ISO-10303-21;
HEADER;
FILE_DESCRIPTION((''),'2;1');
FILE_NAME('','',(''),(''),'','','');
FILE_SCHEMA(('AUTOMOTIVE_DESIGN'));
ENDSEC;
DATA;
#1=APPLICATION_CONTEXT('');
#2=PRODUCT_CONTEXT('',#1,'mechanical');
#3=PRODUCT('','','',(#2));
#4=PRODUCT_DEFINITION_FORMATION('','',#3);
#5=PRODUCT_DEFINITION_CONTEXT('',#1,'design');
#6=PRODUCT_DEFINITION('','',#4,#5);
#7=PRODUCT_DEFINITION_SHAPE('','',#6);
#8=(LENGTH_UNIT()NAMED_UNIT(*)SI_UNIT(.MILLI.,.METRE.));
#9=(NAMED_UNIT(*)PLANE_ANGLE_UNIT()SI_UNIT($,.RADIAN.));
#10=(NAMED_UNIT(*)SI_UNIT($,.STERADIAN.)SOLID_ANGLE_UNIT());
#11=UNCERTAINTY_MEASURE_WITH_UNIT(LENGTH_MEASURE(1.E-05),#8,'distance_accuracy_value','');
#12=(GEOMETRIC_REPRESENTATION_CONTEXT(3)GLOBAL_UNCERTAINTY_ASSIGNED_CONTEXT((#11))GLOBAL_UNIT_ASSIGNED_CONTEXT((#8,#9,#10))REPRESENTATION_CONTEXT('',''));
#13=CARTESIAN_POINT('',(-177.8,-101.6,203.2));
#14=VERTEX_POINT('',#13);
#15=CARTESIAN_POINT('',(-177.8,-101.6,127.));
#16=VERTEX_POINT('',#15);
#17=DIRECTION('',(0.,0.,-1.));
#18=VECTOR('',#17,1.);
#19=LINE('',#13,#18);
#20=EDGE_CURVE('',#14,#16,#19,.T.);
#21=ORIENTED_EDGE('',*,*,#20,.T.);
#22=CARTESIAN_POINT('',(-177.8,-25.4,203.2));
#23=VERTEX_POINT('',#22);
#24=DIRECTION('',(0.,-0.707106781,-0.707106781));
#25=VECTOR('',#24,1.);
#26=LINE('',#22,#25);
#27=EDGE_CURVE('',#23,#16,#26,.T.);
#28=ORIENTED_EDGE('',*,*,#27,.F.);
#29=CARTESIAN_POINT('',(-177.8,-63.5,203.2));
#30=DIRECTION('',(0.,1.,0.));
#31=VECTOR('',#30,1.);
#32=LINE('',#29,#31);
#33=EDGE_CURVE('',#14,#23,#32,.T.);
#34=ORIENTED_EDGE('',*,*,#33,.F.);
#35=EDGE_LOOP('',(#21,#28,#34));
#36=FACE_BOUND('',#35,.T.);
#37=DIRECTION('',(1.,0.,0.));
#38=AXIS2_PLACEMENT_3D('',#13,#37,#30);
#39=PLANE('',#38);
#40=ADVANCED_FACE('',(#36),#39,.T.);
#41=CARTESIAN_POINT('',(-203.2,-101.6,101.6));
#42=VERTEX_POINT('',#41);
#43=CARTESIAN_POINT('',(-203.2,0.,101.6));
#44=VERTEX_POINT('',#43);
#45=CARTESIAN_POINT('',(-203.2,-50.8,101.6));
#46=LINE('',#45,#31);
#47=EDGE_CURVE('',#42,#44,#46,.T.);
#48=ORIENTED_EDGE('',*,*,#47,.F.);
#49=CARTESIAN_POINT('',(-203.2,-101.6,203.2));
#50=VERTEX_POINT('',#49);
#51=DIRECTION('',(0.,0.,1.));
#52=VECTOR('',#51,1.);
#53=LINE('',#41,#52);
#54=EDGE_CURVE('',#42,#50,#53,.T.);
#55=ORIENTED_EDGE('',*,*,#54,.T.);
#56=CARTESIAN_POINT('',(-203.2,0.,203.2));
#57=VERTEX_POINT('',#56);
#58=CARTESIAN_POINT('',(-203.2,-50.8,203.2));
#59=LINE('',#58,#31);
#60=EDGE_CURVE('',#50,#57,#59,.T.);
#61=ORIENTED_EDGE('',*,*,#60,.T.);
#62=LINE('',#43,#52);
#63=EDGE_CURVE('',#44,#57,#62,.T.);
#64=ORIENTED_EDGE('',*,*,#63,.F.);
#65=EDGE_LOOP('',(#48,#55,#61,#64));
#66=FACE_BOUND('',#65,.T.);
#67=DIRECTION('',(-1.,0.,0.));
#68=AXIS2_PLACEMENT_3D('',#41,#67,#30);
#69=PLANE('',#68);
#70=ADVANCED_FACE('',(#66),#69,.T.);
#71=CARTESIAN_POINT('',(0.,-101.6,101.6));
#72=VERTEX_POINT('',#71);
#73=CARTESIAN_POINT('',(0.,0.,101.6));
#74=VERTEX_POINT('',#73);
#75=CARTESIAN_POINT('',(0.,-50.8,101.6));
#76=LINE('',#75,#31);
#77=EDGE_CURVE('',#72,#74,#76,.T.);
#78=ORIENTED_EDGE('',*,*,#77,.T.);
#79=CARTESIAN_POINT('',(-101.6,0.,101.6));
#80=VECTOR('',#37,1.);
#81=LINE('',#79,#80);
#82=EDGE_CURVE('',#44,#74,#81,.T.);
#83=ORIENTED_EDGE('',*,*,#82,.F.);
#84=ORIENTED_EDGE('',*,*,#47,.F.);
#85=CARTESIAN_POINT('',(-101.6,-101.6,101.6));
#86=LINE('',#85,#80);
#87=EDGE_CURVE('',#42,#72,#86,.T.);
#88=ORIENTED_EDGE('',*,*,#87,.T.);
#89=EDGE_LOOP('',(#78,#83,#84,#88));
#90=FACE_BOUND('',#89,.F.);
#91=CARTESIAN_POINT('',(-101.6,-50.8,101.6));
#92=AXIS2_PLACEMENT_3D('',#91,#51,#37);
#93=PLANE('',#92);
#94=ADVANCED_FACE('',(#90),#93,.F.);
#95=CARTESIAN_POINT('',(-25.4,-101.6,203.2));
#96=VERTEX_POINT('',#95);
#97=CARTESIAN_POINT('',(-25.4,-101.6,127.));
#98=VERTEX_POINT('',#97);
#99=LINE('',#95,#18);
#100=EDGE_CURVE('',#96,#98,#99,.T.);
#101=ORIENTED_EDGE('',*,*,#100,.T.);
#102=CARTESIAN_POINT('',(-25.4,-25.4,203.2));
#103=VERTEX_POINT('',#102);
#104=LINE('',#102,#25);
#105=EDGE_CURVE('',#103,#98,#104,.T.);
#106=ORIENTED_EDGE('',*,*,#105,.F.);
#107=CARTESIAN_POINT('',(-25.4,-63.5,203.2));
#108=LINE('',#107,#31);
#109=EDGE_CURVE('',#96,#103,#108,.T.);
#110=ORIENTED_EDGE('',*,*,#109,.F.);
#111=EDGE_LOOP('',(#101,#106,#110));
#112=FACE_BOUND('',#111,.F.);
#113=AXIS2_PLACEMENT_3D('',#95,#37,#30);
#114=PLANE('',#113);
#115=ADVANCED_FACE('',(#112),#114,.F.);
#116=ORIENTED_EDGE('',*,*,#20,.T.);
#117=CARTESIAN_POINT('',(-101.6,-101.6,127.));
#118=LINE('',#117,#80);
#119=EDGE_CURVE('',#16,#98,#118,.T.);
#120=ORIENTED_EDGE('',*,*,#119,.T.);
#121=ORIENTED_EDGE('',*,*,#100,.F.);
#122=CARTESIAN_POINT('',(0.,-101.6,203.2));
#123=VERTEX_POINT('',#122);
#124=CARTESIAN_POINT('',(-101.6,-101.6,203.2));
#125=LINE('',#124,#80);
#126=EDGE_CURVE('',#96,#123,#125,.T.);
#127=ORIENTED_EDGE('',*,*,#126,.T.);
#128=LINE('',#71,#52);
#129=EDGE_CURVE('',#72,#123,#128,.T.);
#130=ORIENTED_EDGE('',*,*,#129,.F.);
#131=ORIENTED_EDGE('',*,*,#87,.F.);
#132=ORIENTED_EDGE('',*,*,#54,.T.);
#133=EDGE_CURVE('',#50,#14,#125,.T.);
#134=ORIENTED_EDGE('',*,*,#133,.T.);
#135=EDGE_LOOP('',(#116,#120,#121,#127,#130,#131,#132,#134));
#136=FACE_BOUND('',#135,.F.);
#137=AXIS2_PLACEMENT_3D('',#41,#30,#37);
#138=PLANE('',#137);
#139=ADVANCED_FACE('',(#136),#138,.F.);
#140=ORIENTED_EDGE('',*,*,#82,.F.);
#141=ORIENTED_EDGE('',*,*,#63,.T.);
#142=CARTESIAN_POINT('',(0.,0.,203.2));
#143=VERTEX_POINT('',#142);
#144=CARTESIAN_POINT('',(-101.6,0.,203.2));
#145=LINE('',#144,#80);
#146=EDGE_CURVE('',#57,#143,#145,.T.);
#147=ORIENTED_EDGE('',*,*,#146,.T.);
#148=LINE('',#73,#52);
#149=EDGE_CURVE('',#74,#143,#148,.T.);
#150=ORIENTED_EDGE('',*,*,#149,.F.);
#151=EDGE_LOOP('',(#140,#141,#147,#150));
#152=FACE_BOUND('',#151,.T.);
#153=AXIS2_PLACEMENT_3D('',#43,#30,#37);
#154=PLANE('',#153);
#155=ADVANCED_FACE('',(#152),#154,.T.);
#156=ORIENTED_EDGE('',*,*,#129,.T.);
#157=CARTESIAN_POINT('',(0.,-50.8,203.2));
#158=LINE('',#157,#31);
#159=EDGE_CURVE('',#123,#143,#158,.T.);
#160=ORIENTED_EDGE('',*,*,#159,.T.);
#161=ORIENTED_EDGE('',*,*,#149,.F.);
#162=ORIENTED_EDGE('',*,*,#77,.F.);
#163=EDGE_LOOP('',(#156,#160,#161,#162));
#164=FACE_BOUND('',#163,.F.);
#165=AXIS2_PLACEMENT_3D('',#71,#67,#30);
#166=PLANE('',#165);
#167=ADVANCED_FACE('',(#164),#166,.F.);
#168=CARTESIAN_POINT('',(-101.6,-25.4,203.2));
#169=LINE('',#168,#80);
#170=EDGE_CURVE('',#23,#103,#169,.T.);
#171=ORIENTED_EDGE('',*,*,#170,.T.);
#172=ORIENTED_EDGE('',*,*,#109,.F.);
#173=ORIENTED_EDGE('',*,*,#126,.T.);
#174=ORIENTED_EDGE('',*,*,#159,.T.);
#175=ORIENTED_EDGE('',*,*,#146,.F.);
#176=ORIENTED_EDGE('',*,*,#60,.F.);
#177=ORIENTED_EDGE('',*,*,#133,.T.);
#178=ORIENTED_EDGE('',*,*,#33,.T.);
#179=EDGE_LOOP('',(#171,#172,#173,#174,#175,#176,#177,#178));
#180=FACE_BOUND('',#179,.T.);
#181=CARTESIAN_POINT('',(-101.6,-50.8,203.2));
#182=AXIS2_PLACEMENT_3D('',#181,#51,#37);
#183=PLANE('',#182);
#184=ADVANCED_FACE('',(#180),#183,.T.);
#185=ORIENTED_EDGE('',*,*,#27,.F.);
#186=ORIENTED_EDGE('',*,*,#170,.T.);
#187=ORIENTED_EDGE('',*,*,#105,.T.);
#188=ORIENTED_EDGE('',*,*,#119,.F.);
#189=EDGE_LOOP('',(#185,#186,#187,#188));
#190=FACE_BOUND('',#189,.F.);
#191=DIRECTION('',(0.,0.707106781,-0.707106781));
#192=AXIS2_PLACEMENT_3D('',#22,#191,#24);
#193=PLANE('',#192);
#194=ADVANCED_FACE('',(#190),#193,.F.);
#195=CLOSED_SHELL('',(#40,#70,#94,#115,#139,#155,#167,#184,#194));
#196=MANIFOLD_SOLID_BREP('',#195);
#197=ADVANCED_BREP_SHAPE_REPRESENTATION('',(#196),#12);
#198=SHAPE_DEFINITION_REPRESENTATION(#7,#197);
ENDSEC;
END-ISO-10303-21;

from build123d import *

# Parameters (mm, degrees)
F0_W     = 203.2
F0_H     = 101.6
F1_DEPTH = 101.6
F2_W     = 152.4
F2_H     = 76.2
F3_DEPTH = 76.2
F5_DEPTH = 152.4
F6_ANGLE = 90


with BuildPart() as f1:
    # F0 (on Front) → F1 (new body)
    with BuildSketch(Plane.XZ):
        with Locations((-101.6, 50.8)):
            Rectangle(F0_W, F0_H)
    extrude(amount=F1_DEPTH)

    # F2 (on face) → F3 (cut)
    with BuildSketch(Plane.XZ.offset(101.6)):
        with Locations((-101.6, 38.1)):
            Rectangle(F2_W, F2_H)
    extrude(amount=-F3_DEPTH, mode=Mode.SUBTRACT)

    # F4 (on face) → F5 (join)
    with BuildSketch(Plane.YZ.offset(-177.8)):
        Polygon((-25.4, 76.2), (-101.6, 76.2), (-25.4, 0), align=None)
    extrude(amount=F5_DEPTH)


with BuildPart() as f1_1:
    # F6: moved
    add(f1.part.rotate(Axis((-101.6, 0, 101.6), (-1, 0, 0)), F6_ANGLE))


solid = f1_1.part
